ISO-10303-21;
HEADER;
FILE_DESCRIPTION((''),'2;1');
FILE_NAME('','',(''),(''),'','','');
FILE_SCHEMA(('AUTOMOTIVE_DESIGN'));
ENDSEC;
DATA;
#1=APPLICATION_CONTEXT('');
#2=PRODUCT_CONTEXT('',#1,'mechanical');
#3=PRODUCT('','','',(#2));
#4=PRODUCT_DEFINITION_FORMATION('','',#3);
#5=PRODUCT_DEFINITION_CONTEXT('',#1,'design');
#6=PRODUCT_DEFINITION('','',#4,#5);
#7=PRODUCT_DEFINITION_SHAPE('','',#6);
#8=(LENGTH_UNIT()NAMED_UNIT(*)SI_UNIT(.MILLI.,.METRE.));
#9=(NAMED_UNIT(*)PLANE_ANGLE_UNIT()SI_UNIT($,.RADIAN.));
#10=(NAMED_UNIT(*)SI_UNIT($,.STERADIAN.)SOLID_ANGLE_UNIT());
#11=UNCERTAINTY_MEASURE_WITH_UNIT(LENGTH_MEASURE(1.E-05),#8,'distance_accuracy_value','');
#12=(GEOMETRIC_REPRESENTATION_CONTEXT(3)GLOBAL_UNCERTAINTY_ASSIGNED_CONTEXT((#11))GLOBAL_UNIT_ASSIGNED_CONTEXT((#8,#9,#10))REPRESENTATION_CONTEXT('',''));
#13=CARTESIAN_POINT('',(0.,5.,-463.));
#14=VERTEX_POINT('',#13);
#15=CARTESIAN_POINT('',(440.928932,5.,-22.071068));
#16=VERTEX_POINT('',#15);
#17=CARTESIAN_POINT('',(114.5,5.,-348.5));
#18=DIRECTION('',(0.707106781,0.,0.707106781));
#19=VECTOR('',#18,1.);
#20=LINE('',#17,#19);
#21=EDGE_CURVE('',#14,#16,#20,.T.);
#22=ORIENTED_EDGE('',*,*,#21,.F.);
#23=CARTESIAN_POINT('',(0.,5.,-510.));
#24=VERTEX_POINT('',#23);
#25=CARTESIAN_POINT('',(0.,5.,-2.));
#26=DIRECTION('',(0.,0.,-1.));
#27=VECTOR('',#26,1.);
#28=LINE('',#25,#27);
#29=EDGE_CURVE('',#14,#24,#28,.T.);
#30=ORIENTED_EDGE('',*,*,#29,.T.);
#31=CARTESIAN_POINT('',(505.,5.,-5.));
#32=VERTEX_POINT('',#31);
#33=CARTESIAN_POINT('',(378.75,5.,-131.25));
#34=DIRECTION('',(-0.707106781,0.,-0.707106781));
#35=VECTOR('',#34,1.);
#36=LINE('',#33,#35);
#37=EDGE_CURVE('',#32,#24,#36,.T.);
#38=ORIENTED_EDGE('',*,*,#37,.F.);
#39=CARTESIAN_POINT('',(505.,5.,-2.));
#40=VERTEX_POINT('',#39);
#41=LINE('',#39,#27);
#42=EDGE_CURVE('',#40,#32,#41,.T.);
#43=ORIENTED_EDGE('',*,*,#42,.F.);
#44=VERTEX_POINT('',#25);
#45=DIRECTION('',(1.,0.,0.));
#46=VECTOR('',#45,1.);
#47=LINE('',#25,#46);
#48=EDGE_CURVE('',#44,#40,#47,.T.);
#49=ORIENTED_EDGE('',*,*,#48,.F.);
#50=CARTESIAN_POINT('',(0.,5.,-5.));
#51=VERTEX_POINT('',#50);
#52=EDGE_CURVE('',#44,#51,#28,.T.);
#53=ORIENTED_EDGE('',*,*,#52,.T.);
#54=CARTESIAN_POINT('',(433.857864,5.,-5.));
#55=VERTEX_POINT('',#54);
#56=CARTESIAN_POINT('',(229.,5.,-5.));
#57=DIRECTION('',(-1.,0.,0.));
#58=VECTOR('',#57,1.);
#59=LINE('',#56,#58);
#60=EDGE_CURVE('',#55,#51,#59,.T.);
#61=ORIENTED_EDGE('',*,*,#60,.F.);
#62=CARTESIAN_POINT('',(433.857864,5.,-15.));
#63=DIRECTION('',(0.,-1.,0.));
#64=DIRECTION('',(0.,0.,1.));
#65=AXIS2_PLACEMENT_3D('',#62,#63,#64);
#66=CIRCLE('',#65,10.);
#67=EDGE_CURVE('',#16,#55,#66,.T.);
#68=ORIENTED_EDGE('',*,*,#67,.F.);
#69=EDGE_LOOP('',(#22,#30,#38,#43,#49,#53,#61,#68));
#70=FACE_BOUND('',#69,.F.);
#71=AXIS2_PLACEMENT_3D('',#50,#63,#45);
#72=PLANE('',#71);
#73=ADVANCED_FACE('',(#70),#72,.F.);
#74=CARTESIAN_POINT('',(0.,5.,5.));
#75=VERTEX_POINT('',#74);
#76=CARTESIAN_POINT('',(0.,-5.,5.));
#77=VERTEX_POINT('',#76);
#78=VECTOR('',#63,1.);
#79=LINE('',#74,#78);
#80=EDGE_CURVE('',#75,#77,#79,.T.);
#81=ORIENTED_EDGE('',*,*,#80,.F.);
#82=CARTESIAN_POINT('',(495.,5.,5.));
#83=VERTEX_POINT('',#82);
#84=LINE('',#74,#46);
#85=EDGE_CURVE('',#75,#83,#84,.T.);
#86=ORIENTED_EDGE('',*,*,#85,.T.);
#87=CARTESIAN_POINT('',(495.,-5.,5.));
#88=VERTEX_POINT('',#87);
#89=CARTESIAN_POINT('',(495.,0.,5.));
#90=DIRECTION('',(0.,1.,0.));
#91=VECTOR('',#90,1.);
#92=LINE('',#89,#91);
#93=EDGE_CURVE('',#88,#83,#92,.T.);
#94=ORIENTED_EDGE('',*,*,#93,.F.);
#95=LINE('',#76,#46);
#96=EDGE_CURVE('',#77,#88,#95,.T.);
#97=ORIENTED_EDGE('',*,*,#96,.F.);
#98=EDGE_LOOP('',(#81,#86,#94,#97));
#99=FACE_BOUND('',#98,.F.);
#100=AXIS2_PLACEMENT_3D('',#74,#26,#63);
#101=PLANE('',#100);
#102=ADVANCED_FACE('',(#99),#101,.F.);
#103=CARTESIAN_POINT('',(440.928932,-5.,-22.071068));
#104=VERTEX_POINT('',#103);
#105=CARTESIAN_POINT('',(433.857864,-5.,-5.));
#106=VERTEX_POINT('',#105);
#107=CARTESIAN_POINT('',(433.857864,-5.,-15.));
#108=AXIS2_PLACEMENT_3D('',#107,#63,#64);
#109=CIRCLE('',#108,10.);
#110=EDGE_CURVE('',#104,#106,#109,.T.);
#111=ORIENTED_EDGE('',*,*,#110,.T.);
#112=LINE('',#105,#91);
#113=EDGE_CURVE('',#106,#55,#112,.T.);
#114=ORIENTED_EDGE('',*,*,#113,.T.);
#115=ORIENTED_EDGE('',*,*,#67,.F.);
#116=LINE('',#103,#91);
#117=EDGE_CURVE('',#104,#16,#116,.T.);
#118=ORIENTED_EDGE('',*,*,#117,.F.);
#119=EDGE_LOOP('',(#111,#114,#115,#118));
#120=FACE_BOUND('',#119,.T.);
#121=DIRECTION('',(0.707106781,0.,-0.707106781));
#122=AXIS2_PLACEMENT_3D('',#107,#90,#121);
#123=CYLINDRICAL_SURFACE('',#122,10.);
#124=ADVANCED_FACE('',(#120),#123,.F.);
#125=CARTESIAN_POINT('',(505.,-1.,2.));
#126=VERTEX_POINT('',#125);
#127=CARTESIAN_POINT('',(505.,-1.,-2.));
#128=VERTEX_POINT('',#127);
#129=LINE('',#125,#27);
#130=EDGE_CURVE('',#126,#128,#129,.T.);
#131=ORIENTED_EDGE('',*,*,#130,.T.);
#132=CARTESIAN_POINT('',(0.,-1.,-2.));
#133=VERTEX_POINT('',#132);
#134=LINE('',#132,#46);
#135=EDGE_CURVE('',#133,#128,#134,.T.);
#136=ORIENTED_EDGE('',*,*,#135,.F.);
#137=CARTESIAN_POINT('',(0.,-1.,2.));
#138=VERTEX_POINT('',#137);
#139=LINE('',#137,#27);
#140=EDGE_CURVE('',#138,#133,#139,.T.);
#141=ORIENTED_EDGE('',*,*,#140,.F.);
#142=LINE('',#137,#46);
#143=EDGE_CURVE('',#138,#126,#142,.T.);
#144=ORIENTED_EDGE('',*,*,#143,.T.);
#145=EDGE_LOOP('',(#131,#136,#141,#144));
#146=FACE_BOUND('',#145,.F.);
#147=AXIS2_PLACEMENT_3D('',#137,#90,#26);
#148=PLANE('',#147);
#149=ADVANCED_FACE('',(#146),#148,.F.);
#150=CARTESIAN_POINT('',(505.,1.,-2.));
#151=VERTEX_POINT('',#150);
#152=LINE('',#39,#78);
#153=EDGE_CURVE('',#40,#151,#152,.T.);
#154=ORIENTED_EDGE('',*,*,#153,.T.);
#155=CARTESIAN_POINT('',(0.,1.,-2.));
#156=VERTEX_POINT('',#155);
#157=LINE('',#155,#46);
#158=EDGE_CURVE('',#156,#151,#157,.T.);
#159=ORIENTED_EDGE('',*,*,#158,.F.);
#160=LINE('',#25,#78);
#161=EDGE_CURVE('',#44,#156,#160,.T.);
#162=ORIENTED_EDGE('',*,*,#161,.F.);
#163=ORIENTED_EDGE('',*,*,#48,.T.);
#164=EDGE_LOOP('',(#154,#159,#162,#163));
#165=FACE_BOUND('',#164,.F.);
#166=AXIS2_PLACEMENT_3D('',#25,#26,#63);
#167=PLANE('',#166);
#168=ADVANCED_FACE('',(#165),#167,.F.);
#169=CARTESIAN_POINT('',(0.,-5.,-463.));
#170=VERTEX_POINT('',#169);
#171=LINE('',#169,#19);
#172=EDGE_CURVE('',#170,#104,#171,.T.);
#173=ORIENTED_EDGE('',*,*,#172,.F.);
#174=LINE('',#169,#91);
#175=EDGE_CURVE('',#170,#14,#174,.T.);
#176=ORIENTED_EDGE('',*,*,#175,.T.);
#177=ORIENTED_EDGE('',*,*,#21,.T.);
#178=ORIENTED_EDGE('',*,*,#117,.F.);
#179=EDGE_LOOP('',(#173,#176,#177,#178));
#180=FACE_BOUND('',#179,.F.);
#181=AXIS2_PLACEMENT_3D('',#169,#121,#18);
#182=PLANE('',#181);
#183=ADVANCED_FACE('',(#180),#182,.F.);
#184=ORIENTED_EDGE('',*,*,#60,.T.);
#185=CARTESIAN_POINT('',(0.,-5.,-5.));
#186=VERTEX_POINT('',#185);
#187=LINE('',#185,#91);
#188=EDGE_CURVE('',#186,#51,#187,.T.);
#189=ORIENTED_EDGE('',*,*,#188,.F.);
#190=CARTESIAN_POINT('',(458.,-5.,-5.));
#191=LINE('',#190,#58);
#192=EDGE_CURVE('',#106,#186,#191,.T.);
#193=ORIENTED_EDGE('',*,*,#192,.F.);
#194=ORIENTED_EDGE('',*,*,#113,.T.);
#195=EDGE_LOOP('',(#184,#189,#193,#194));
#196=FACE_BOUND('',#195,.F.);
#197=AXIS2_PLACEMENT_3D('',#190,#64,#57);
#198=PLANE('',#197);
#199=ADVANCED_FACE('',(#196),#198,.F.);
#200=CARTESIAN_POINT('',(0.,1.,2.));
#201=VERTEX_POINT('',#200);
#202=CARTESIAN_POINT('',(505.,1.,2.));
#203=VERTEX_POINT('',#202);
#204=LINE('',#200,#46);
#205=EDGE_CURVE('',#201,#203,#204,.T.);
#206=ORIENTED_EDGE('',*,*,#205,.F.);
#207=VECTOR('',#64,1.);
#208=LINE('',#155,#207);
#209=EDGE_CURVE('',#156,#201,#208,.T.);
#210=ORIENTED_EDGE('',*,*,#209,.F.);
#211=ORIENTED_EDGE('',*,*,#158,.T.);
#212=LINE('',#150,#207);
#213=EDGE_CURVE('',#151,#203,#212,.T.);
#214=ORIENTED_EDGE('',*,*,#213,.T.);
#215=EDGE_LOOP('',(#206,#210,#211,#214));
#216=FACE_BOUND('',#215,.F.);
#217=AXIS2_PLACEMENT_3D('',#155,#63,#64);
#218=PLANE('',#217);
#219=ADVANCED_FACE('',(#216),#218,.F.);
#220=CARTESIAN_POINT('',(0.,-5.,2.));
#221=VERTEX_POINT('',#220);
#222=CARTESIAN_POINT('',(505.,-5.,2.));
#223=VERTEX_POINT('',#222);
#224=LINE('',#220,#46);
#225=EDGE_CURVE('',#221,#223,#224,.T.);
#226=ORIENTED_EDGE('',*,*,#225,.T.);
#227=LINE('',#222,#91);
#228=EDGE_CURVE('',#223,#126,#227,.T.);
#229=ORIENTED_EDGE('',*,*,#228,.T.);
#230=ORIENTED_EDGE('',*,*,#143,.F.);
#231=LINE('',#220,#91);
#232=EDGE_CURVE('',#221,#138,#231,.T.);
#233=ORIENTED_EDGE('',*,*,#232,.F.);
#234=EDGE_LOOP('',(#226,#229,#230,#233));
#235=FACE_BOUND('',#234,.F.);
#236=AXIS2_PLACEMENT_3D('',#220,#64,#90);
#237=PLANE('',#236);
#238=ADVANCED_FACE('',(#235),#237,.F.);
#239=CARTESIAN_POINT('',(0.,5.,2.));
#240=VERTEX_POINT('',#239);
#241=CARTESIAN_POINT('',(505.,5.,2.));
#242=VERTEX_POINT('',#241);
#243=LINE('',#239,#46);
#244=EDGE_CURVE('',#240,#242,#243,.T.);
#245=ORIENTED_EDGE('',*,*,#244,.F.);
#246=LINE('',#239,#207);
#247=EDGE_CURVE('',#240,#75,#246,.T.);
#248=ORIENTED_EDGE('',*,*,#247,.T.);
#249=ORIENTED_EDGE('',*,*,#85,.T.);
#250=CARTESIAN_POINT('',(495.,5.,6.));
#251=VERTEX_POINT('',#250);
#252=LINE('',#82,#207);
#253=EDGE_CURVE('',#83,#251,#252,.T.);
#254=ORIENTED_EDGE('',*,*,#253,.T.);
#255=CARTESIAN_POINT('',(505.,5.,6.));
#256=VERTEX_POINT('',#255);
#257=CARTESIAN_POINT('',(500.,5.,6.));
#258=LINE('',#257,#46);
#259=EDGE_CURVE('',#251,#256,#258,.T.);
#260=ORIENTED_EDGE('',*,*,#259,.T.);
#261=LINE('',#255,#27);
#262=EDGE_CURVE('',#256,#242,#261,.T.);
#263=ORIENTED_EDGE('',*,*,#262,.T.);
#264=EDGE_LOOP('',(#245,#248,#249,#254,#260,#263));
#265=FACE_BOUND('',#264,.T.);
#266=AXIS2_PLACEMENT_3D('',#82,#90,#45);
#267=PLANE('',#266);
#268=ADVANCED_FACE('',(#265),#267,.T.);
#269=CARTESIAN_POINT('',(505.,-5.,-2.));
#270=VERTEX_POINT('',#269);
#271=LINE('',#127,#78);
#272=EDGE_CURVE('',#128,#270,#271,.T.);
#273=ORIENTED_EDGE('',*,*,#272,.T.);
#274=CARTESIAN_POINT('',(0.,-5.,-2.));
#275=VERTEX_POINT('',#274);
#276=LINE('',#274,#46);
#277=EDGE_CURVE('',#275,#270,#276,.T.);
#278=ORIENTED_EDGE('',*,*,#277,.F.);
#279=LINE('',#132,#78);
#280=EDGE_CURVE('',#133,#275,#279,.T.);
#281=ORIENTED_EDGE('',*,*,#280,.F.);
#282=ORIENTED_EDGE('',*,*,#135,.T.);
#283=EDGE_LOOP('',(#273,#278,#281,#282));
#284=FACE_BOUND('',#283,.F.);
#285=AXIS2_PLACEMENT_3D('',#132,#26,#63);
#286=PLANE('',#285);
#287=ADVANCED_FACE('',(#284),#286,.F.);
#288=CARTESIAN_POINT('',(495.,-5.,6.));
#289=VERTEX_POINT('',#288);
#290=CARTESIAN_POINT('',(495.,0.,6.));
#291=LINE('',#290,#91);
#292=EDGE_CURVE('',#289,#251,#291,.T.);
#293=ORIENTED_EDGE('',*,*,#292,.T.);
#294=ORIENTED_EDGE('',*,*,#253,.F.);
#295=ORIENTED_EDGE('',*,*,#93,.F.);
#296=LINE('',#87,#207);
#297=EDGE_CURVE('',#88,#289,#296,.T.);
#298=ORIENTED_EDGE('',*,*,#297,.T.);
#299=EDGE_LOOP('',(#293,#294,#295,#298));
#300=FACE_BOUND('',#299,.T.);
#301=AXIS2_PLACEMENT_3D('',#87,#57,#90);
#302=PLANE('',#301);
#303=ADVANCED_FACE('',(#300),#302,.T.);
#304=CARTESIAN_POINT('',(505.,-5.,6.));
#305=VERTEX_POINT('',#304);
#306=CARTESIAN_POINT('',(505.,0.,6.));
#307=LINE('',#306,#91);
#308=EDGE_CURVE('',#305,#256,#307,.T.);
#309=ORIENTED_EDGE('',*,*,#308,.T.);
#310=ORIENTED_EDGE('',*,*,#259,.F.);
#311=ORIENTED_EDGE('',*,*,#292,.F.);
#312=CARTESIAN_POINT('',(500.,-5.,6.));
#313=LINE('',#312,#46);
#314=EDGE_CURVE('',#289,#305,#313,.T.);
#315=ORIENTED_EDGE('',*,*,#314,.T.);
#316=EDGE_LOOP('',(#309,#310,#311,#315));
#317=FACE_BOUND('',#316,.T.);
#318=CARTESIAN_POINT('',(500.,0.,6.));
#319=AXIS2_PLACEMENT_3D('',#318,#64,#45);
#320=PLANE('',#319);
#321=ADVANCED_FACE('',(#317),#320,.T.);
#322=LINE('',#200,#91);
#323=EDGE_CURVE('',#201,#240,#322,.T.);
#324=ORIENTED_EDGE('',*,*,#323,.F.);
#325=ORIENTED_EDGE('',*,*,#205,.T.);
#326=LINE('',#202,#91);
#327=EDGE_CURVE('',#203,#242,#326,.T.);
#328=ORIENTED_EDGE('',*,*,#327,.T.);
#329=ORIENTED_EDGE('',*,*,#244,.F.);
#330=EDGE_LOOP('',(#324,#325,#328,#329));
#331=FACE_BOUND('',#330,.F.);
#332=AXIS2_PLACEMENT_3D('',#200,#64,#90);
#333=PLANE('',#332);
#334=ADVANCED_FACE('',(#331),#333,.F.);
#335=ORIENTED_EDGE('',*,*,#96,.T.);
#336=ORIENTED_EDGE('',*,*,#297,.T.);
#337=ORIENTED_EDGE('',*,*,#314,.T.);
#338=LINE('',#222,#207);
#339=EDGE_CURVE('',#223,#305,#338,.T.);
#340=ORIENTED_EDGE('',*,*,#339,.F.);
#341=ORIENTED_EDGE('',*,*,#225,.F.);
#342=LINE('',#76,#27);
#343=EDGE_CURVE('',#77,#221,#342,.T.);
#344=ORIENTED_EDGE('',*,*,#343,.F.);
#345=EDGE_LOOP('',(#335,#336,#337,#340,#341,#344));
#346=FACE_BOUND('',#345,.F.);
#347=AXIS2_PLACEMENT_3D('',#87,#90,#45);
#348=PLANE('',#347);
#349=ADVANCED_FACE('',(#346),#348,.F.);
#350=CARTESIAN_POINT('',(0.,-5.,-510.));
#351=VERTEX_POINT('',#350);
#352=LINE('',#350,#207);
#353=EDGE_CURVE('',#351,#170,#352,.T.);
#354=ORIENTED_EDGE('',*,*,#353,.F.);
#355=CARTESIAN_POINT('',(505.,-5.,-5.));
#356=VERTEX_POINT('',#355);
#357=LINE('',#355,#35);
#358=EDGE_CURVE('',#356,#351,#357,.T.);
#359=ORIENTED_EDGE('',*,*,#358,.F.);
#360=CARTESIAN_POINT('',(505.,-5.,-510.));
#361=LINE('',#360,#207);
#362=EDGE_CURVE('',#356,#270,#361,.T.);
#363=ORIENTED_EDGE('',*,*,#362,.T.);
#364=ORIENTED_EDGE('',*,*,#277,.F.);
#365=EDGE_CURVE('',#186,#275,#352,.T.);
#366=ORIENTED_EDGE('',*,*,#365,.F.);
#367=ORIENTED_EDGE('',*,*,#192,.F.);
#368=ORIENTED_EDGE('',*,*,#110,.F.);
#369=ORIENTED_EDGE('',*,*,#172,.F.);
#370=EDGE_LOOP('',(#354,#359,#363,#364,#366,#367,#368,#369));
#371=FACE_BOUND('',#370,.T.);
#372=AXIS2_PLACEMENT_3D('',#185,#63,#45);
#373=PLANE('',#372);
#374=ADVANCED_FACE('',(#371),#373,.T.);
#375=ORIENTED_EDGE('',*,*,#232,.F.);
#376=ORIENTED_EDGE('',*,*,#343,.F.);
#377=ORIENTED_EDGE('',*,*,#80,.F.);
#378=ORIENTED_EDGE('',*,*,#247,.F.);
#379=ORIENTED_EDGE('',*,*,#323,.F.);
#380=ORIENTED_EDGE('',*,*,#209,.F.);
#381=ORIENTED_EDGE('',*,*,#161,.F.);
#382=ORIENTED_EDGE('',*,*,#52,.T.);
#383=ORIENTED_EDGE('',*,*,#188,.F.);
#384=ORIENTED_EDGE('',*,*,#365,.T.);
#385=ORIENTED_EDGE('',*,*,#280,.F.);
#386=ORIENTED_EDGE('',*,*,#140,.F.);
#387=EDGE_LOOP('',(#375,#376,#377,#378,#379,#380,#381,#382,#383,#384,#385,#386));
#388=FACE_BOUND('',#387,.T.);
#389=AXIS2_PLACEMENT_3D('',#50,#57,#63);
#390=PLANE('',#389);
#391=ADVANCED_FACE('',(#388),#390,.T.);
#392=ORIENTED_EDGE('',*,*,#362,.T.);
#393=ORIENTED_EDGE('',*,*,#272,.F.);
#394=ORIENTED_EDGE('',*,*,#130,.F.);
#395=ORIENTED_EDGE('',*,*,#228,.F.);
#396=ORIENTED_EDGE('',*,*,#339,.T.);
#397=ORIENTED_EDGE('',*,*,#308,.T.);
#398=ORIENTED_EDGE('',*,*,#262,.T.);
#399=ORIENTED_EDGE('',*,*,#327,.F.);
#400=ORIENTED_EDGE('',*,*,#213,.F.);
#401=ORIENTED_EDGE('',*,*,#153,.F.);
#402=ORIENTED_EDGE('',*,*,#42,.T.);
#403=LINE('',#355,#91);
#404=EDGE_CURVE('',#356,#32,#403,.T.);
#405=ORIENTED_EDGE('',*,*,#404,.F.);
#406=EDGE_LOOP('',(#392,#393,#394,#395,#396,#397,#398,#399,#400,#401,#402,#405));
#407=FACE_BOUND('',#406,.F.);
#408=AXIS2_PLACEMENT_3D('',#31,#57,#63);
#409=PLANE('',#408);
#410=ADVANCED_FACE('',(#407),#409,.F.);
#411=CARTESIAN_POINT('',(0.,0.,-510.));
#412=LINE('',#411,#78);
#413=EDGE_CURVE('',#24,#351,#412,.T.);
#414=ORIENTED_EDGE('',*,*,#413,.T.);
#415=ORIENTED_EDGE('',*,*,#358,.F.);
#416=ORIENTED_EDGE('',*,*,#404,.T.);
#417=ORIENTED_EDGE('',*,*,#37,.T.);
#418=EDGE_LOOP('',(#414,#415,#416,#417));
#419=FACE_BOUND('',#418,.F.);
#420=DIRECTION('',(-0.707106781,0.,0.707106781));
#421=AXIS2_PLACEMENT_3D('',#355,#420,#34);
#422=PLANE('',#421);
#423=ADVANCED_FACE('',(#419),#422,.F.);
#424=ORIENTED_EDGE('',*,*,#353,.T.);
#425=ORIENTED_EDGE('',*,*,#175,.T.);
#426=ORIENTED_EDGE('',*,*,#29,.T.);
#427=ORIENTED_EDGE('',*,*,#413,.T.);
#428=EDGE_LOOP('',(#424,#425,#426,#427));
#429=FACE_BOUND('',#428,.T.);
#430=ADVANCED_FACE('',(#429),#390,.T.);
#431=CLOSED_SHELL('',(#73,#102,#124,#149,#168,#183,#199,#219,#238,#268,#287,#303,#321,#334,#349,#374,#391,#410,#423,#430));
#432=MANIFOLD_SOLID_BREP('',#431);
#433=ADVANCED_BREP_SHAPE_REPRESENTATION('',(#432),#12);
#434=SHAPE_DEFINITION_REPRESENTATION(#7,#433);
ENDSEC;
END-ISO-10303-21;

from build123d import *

# Parameters (mm, degrees)
F1_DEPTH  = 505
F2_W      = 10
F2_H      = 10
F3_DEPTH  = 1
F4_W      = 505
F4_H      = 10
F5_DEPTH  = 505
F7_DEPTH  = 10.001
F8_DEPTH  = 10.001
F10_DEPTH = 10.001
F11_R     = 10


with BuildPart() as f1:
    # F0 (on Right) → F1 (new body)
    with BuildSketch(Plane.YZ):
        Polygon((-1, 2), (-1, 0), (-1, -2), (-5, -2), (-5, -5), (0, -5), (5, -5), (5, -2), (1, -2), (1, 0), (1, 2), (5, 2), (5, 5), (0, 5), (-5, 5), (-5, 2), align=None)
    extrude(amount=F1_DEPTH)

    # F2 (on face) → F3 (join)
    with BuildSketch(Plane.XY.offset(5)):
        with Locations((500, 0)):
            Rectangle(F2_W, F2_H)
    extrude(amount=F3_DEPTH)

    # F4 (on face) → F5 (join)
    with BuildSketch(Plane(origin=(0, 0, -5), x_dir=(1, 0, 0), z_dir=(0, 0, -1))):
        with Locations((252.5, 0)):
            Rectangle(F4_W, F4_H)
    extrude(amount=F5_DEPTH)

    # F6 (on face) → F7 (cut, through all)
    with BuildSketch(Plane.XZ.offset(5)):
        Polygon((0, -5), (0, -463), (458, -5), align=None)
    extrude(amount=-F7_DEPTH, mode=Mode.SUBTRACT)

    # F6 (on face) → F8 (cut, through all)
    with BuildSketch(Plane.XZ.offset(5)):
        Polygon((0, -5), (0, -463), (458, -5), align=None)
    extrude(amount=-F8_DEPTH, mode=Mode.SUBTRACT)

    # F9 (on face) → F10 (cut, through all)
    with BuildSketch(Plane.XZ.offset(5)):
        Polygon((505, -5), (0, -510), (505, -510), align=None)
    extrude(amount=-F10_DEPTH, mode=Mode.SUBTRACT)

    # F11
    f11_edges = [f1.edges().sort_by_distance(p)[0] for p in [
        (458, 0, -5),
    ]]
    fillet(f11_edges, radius=F11_R)


solid = f1.part
